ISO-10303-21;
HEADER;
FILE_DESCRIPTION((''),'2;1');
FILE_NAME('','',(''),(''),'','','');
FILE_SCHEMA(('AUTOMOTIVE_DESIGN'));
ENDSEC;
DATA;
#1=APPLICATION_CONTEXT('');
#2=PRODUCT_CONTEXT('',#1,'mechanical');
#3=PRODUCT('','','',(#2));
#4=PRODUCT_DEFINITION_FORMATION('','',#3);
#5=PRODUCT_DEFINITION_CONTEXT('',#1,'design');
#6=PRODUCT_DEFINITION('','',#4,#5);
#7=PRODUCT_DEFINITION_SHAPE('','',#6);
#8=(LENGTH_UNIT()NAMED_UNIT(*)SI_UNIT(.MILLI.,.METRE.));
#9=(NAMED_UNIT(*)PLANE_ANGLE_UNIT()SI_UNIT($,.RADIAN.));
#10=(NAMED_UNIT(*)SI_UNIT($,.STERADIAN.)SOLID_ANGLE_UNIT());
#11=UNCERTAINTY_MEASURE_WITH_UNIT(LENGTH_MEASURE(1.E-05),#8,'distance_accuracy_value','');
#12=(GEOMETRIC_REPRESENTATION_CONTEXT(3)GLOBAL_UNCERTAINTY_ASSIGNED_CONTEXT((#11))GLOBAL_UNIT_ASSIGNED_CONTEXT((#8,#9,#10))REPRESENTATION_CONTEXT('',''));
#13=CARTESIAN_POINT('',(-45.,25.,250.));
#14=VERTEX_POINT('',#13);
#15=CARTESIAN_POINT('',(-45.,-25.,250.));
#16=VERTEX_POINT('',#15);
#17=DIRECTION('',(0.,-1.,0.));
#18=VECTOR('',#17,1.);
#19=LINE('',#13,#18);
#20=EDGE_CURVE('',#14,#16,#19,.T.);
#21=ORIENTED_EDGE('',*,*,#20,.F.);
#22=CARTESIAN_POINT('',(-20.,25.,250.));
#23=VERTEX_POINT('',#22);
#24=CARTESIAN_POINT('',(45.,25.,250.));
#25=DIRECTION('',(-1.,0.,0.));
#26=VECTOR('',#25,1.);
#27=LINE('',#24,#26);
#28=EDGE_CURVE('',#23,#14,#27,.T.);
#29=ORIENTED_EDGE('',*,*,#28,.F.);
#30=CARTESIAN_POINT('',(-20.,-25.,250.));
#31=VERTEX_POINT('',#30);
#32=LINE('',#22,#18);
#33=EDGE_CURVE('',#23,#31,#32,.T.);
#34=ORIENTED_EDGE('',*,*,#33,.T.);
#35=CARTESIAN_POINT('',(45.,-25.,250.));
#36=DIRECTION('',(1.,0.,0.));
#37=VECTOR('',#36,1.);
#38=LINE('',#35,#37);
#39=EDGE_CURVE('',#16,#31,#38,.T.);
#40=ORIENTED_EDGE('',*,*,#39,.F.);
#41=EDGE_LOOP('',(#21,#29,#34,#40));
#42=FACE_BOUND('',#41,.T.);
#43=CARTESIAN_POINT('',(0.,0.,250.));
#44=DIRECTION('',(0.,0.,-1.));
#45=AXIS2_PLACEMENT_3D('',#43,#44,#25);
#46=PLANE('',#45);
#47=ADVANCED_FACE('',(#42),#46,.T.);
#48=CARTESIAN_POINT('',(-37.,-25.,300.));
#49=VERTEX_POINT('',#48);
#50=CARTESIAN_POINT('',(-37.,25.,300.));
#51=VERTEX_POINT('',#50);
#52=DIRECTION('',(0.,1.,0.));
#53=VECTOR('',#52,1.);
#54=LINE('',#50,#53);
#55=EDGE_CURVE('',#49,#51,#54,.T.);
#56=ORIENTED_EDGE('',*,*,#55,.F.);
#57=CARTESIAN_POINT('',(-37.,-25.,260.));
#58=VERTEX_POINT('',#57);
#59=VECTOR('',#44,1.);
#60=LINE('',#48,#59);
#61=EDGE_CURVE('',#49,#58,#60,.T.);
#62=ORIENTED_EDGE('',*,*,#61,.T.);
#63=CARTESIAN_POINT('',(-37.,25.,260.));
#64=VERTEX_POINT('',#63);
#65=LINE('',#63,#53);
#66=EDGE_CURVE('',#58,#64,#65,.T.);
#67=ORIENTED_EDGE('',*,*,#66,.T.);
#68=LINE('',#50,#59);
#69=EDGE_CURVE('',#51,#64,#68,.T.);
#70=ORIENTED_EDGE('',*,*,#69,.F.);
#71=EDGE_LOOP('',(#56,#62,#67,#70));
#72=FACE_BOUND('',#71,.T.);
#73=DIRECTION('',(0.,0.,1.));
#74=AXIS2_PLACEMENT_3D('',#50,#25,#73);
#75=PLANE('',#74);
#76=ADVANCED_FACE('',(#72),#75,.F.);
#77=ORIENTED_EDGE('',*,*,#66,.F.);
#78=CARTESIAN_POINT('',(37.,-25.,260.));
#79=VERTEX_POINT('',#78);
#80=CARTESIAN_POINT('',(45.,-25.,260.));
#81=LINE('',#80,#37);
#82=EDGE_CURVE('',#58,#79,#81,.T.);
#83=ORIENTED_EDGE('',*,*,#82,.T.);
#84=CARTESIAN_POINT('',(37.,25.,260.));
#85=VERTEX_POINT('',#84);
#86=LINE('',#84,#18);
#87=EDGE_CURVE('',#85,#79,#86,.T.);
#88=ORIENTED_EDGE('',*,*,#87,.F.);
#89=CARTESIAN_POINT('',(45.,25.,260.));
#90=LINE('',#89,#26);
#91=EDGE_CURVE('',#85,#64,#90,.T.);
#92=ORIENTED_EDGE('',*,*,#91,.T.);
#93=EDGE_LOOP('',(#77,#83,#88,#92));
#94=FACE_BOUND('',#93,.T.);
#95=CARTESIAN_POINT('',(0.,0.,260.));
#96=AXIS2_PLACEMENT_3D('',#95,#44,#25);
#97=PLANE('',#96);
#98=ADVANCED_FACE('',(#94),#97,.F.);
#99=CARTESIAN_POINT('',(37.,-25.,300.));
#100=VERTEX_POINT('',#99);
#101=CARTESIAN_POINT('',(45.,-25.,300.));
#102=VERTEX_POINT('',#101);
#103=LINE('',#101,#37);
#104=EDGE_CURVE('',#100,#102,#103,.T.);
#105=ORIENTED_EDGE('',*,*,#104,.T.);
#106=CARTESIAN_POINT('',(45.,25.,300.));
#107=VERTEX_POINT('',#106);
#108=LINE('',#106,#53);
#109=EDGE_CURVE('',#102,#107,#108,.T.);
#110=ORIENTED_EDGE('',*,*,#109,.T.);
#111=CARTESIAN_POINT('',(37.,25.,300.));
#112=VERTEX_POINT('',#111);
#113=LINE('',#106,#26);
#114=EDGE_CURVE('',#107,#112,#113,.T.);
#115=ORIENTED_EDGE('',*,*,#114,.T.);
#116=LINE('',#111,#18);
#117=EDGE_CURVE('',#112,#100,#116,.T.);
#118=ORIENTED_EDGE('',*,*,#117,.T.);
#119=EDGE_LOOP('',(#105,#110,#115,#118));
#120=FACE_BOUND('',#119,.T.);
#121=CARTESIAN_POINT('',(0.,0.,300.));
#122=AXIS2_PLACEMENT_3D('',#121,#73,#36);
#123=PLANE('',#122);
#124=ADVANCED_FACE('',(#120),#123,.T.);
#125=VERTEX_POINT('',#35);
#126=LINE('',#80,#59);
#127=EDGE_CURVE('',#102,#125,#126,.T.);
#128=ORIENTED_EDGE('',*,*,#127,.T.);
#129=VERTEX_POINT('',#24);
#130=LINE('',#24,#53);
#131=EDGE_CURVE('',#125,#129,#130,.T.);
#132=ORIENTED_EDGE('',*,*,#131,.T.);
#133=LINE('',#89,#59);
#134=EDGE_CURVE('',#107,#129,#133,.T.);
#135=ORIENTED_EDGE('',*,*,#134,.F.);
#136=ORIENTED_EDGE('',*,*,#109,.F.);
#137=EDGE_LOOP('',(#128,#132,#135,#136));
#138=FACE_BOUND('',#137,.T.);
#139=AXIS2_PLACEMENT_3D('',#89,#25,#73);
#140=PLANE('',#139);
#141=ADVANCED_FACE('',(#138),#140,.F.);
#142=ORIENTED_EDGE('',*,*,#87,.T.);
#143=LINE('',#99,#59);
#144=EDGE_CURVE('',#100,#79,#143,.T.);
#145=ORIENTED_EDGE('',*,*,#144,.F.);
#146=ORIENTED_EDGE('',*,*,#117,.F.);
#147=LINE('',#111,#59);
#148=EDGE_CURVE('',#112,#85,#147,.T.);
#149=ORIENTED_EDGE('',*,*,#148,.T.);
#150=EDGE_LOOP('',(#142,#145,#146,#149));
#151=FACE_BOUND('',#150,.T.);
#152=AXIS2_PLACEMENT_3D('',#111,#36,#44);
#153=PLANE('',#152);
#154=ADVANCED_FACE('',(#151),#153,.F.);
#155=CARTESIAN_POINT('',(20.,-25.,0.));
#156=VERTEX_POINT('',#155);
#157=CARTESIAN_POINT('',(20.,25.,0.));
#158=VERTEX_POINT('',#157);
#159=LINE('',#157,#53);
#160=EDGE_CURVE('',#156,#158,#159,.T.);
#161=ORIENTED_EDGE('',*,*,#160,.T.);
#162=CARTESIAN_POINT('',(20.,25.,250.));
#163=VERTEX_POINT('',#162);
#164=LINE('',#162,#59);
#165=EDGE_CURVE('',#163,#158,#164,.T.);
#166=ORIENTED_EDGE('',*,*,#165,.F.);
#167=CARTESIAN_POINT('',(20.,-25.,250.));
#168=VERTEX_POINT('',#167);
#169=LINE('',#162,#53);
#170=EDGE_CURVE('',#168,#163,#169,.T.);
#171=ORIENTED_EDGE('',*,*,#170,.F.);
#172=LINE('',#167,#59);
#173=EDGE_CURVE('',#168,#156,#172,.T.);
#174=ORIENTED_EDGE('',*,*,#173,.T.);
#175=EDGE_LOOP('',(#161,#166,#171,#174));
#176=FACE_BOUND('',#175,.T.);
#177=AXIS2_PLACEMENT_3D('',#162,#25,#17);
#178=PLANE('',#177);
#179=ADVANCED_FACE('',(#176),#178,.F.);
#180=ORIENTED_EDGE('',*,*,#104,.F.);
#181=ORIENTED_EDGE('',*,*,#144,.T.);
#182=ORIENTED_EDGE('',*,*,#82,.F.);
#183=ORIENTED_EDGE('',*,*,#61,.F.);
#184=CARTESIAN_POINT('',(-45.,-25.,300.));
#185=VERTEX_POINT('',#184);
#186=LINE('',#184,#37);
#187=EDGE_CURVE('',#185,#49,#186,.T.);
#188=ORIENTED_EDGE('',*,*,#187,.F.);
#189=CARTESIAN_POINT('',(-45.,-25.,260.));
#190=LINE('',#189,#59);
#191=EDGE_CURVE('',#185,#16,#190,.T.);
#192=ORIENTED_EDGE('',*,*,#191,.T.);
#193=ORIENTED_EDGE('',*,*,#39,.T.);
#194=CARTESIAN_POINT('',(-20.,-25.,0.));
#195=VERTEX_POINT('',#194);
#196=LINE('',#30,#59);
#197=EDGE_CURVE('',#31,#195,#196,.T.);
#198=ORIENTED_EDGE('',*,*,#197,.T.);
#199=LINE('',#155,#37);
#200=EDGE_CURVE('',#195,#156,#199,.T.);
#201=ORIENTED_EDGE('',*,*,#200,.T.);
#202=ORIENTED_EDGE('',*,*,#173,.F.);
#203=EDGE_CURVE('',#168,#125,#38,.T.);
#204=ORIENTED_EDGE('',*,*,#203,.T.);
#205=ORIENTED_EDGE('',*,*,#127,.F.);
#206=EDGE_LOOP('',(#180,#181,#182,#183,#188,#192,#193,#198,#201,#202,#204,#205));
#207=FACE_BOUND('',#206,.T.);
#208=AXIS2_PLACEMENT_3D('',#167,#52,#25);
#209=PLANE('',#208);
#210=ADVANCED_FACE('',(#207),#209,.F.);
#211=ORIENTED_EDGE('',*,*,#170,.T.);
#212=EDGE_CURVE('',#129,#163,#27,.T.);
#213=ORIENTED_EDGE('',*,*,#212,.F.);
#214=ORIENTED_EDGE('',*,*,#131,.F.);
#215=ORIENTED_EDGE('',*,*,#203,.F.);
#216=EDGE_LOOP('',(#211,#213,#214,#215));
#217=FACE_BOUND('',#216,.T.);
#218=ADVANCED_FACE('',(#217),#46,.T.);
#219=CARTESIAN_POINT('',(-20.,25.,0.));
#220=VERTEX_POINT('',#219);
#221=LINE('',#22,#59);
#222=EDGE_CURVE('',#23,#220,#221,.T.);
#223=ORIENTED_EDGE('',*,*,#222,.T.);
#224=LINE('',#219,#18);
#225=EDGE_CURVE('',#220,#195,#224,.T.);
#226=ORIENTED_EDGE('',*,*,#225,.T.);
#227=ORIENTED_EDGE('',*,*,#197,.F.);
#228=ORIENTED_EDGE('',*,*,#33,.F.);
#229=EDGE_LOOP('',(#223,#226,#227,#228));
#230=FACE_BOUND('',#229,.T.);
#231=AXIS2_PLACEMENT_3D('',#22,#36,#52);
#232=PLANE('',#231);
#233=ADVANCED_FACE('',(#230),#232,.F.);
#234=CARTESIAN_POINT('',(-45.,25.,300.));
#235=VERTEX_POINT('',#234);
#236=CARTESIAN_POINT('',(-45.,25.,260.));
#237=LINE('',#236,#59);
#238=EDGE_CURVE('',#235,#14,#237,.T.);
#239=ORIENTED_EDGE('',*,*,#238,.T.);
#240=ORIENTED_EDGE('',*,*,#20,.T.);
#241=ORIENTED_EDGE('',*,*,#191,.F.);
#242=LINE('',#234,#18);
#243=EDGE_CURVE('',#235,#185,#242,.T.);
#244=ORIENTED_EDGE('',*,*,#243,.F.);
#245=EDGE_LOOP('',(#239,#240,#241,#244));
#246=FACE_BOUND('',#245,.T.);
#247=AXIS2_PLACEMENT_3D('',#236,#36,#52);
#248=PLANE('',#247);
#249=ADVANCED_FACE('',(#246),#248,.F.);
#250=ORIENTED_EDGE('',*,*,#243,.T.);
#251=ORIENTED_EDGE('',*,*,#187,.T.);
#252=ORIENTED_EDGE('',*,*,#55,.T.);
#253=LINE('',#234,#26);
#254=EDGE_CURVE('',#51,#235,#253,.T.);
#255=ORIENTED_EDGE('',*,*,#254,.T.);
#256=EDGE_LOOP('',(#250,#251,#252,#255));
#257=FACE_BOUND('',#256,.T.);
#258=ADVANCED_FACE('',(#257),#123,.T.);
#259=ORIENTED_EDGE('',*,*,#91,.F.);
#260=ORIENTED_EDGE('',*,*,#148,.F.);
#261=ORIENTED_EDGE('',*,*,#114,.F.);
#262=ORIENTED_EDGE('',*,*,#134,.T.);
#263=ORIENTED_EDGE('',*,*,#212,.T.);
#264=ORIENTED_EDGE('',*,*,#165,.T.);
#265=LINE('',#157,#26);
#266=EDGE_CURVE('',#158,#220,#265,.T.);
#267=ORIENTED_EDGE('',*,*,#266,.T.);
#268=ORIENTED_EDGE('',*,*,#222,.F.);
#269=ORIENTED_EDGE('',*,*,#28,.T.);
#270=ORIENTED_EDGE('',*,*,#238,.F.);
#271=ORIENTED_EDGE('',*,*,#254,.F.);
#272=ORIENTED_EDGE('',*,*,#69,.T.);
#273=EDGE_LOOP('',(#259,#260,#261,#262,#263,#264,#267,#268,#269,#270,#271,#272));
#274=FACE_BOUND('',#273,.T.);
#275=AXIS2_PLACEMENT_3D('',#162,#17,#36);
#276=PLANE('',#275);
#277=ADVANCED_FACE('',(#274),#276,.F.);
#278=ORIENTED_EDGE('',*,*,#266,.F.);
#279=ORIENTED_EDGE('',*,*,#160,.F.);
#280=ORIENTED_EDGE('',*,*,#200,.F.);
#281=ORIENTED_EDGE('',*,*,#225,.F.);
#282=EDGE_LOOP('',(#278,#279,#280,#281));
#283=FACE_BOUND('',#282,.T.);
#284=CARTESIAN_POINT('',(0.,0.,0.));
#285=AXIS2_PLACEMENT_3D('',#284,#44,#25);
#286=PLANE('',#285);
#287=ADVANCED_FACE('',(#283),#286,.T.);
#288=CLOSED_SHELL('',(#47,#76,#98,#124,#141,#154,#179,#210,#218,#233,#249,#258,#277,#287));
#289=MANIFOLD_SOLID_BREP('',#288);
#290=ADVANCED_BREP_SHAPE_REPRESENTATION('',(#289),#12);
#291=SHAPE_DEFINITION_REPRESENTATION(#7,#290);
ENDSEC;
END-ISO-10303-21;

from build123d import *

# Parameters (mm, degrees)
SZKIC1_W                    = 40
SZKIC1_H                    = 50
DODANIE_WYCI_GNI_CIE1_DEPTH = 250
SZKIC2_W                    = 90
SZKIC2_H                    = 50
DODANIE_WYCI_GNI_CIE2_DEPTH = 10
SZKIC3_W                    = 8
SZKIC3_H                    = 50
DODANIE_WYCI_GNI_CIE3_DEPTH = 40


with BuildPart() as part:
    # Szkic1 → Dodanie-wyciągnięcie1 (new body)
    with BuildSketch(Plane.XY):
        Rectangle(SZKIC1_W, SZKIC1_H)
    extrude(amount=DODANIE_WYCI_GNI_CIE1_DEPTH)

    # Szkic2 → Dodanie-wyciągnięcie2 (add)
    with BuildSketch(Plane.XY.offset(250)):
        Rectangle(SZKIC2_W, SZKIC2_H)
    extrude(amount=DODANIE_WYCI_GNI_CIE2_DEPTH)

    # Szkic3 → Dodanie-wyciągnięcie3 (add)
    with BuildSketch(Plane.XY.offset(260)):
        with Locations((-41, 0)):
            Rectangle(SZKIC3_W, SZKIC3_H)
        with Locations((41, 0)):
            Rectangle(SZKIC3_W, SZKIC3_H)
    extrude(amount=DODANIE_WYCI_GNI_CIE3_DEPTH)


solid = part.part
